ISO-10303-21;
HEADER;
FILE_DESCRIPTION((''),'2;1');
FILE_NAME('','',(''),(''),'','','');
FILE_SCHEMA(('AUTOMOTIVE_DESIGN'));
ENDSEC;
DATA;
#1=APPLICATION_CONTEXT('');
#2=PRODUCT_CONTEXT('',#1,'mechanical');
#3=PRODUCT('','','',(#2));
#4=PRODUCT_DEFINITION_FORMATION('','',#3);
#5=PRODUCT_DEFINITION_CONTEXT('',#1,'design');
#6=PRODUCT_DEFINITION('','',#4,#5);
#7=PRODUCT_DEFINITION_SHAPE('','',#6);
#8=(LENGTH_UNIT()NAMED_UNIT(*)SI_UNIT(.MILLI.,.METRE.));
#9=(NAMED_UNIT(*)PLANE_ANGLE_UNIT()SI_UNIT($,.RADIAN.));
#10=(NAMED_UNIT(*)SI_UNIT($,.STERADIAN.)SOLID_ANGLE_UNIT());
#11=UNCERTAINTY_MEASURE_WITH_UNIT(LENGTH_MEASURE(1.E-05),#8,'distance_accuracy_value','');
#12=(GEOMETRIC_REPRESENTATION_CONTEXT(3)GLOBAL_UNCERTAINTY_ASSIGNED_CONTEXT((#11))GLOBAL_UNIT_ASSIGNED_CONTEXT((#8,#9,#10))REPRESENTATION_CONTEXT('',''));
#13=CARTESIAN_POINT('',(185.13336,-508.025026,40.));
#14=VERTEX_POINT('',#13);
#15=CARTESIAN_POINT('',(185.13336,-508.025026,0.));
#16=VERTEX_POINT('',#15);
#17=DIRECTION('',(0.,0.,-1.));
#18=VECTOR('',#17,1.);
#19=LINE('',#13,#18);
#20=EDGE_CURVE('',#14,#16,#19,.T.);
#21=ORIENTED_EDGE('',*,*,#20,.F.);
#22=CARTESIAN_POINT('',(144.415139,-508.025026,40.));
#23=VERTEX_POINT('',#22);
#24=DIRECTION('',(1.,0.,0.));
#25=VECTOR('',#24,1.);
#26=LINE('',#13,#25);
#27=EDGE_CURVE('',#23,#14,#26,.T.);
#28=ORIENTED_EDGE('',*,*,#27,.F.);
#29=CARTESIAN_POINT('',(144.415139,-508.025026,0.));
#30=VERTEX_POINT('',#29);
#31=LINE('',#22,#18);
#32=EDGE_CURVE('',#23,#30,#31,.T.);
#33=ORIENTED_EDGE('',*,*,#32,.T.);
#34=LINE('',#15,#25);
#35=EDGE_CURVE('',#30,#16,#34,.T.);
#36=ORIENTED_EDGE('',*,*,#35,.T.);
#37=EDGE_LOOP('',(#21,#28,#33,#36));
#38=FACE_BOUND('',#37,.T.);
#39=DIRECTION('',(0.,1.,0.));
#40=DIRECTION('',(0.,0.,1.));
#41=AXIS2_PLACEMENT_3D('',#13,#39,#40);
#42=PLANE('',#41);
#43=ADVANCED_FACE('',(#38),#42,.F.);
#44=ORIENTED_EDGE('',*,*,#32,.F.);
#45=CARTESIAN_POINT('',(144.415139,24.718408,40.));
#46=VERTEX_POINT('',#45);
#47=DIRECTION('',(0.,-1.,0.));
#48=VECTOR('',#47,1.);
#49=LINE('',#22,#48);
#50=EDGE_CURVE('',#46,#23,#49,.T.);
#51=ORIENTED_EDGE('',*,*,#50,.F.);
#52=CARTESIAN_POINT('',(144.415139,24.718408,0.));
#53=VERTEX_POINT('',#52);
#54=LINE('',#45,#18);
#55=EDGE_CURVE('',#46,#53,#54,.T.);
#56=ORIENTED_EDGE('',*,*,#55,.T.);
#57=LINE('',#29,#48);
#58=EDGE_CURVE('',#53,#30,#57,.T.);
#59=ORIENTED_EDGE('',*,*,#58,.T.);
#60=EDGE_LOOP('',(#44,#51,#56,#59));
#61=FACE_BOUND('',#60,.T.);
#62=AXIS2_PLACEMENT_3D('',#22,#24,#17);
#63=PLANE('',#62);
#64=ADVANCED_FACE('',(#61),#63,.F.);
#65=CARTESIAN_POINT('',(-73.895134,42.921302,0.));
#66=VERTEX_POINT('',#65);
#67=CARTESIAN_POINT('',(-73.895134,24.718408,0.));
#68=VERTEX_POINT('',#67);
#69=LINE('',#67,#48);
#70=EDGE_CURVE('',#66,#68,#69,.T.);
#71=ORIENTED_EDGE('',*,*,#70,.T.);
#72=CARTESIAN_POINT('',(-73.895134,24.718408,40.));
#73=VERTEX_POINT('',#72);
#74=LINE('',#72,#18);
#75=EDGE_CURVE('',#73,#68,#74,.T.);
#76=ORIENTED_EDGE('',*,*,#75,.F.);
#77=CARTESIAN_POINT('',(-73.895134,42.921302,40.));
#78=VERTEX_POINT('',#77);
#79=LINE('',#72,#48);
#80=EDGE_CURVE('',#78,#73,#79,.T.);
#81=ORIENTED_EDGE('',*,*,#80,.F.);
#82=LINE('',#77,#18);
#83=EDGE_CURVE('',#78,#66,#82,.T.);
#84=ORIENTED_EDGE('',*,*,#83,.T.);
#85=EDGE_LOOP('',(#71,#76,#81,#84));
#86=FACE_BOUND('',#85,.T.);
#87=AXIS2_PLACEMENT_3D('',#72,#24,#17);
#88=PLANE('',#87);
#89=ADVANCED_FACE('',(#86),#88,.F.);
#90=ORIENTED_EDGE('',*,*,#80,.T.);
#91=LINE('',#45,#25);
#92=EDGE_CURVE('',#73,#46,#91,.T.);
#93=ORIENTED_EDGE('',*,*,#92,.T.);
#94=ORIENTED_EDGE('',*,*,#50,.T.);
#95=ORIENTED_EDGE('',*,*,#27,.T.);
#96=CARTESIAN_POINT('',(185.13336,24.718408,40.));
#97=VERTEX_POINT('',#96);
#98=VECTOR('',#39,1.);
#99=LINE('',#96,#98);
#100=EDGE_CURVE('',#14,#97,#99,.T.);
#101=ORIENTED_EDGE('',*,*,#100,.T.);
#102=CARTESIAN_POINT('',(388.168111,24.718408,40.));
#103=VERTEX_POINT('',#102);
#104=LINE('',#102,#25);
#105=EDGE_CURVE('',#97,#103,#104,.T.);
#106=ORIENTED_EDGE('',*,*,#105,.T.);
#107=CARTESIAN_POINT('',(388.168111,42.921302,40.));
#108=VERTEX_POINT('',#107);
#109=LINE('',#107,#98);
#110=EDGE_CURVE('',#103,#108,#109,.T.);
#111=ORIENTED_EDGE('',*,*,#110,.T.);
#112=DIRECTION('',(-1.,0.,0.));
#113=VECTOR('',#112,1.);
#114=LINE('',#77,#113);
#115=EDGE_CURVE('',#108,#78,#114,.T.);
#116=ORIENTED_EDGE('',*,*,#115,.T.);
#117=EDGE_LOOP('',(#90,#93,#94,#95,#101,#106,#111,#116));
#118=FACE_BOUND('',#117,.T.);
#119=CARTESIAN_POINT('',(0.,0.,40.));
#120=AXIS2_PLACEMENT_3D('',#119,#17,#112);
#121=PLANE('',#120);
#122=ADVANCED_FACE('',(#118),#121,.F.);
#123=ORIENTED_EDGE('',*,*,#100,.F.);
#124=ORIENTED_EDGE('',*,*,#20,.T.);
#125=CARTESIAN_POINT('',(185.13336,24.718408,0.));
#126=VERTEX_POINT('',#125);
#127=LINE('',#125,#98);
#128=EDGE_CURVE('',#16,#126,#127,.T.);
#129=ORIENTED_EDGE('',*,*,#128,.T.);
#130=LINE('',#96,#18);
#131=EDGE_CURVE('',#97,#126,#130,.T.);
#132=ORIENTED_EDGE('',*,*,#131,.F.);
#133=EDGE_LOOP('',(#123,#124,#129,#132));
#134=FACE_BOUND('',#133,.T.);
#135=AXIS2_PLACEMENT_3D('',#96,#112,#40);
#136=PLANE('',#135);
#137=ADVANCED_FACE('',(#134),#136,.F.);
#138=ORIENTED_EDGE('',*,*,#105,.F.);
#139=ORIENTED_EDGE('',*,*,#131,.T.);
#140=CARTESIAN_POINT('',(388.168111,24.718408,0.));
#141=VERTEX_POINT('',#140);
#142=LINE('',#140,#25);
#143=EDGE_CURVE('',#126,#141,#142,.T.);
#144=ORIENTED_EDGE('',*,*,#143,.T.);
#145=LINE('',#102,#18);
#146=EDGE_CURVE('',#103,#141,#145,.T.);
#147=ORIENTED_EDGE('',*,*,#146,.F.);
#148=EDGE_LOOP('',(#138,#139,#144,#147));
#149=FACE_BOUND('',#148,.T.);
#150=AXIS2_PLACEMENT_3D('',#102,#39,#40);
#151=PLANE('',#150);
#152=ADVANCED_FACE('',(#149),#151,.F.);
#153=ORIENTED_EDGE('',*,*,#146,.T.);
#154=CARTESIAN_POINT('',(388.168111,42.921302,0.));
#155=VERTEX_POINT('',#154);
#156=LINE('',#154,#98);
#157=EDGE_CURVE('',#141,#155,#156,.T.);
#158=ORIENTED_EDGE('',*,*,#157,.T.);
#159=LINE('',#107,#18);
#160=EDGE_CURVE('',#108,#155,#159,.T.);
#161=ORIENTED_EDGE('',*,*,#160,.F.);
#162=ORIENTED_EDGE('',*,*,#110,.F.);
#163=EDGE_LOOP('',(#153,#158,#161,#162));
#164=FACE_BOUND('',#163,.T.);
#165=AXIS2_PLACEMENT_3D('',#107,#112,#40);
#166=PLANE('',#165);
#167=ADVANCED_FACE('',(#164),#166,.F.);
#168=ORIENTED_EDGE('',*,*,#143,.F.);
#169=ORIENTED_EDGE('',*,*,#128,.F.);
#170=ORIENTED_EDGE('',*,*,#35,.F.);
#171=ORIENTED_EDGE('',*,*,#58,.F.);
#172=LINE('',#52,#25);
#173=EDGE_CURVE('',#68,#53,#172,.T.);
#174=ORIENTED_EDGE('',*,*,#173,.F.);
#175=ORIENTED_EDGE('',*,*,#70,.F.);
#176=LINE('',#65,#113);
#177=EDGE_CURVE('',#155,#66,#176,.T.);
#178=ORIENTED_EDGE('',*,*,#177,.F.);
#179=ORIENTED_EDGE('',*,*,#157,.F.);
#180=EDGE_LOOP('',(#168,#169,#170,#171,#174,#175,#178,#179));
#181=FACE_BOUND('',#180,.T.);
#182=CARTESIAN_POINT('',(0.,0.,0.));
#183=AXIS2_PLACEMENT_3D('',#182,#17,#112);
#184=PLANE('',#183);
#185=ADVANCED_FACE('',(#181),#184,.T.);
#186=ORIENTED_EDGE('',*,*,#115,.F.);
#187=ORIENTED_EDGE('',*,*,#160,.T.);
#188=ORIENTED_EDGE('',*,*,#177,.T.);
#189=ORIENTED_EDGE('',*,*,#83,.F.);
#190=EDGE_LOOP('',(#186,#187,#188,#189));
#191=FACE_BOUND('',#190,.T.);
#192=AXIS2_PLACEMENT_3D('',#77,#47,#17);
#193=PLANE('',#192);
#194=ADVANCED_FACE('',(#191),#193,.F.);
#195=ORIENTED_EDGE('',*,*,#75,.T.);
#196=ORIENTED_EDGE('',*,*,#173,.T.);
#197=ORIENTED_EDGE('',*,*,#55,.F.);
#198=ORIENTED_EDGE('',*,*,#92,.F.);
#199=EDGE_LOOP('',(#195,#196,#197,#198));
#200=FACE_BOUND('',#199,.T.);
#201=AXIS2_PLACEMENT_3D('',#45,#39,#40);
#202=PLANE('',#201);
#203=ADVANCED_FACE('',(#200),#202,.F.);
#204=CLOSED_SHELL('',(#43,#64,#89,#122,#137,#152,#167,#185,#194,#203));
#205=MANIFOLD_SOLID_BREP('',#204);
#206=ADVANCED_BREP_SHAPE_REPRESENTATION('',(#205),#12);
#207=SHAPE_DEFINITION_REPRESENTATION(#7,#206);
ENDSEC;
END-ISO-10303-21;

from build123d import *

# Parameters (mm, degrees)
EXTRUDE_1_DEPTH = 40


with BuildPart() as part:
    # Эскиз1 → Бобышка-Вытянуть1 (new body)
    with BuildSketch(Plane.XY):
        Polygon((-73.895134276, 42.921301764), (388.168111391, 42.921301764), (388.168111391, 24.71840833), (185.133360285, 24.71840833), (185.133360285, -508.025026424), (144.415139044, -508.025026424), (144.415139044, 24.71840833), (-73.895134276, 24.71840833), align=None)
    extrude(amount=EXTRUDE_1_DEPTH)


solid = part.part
